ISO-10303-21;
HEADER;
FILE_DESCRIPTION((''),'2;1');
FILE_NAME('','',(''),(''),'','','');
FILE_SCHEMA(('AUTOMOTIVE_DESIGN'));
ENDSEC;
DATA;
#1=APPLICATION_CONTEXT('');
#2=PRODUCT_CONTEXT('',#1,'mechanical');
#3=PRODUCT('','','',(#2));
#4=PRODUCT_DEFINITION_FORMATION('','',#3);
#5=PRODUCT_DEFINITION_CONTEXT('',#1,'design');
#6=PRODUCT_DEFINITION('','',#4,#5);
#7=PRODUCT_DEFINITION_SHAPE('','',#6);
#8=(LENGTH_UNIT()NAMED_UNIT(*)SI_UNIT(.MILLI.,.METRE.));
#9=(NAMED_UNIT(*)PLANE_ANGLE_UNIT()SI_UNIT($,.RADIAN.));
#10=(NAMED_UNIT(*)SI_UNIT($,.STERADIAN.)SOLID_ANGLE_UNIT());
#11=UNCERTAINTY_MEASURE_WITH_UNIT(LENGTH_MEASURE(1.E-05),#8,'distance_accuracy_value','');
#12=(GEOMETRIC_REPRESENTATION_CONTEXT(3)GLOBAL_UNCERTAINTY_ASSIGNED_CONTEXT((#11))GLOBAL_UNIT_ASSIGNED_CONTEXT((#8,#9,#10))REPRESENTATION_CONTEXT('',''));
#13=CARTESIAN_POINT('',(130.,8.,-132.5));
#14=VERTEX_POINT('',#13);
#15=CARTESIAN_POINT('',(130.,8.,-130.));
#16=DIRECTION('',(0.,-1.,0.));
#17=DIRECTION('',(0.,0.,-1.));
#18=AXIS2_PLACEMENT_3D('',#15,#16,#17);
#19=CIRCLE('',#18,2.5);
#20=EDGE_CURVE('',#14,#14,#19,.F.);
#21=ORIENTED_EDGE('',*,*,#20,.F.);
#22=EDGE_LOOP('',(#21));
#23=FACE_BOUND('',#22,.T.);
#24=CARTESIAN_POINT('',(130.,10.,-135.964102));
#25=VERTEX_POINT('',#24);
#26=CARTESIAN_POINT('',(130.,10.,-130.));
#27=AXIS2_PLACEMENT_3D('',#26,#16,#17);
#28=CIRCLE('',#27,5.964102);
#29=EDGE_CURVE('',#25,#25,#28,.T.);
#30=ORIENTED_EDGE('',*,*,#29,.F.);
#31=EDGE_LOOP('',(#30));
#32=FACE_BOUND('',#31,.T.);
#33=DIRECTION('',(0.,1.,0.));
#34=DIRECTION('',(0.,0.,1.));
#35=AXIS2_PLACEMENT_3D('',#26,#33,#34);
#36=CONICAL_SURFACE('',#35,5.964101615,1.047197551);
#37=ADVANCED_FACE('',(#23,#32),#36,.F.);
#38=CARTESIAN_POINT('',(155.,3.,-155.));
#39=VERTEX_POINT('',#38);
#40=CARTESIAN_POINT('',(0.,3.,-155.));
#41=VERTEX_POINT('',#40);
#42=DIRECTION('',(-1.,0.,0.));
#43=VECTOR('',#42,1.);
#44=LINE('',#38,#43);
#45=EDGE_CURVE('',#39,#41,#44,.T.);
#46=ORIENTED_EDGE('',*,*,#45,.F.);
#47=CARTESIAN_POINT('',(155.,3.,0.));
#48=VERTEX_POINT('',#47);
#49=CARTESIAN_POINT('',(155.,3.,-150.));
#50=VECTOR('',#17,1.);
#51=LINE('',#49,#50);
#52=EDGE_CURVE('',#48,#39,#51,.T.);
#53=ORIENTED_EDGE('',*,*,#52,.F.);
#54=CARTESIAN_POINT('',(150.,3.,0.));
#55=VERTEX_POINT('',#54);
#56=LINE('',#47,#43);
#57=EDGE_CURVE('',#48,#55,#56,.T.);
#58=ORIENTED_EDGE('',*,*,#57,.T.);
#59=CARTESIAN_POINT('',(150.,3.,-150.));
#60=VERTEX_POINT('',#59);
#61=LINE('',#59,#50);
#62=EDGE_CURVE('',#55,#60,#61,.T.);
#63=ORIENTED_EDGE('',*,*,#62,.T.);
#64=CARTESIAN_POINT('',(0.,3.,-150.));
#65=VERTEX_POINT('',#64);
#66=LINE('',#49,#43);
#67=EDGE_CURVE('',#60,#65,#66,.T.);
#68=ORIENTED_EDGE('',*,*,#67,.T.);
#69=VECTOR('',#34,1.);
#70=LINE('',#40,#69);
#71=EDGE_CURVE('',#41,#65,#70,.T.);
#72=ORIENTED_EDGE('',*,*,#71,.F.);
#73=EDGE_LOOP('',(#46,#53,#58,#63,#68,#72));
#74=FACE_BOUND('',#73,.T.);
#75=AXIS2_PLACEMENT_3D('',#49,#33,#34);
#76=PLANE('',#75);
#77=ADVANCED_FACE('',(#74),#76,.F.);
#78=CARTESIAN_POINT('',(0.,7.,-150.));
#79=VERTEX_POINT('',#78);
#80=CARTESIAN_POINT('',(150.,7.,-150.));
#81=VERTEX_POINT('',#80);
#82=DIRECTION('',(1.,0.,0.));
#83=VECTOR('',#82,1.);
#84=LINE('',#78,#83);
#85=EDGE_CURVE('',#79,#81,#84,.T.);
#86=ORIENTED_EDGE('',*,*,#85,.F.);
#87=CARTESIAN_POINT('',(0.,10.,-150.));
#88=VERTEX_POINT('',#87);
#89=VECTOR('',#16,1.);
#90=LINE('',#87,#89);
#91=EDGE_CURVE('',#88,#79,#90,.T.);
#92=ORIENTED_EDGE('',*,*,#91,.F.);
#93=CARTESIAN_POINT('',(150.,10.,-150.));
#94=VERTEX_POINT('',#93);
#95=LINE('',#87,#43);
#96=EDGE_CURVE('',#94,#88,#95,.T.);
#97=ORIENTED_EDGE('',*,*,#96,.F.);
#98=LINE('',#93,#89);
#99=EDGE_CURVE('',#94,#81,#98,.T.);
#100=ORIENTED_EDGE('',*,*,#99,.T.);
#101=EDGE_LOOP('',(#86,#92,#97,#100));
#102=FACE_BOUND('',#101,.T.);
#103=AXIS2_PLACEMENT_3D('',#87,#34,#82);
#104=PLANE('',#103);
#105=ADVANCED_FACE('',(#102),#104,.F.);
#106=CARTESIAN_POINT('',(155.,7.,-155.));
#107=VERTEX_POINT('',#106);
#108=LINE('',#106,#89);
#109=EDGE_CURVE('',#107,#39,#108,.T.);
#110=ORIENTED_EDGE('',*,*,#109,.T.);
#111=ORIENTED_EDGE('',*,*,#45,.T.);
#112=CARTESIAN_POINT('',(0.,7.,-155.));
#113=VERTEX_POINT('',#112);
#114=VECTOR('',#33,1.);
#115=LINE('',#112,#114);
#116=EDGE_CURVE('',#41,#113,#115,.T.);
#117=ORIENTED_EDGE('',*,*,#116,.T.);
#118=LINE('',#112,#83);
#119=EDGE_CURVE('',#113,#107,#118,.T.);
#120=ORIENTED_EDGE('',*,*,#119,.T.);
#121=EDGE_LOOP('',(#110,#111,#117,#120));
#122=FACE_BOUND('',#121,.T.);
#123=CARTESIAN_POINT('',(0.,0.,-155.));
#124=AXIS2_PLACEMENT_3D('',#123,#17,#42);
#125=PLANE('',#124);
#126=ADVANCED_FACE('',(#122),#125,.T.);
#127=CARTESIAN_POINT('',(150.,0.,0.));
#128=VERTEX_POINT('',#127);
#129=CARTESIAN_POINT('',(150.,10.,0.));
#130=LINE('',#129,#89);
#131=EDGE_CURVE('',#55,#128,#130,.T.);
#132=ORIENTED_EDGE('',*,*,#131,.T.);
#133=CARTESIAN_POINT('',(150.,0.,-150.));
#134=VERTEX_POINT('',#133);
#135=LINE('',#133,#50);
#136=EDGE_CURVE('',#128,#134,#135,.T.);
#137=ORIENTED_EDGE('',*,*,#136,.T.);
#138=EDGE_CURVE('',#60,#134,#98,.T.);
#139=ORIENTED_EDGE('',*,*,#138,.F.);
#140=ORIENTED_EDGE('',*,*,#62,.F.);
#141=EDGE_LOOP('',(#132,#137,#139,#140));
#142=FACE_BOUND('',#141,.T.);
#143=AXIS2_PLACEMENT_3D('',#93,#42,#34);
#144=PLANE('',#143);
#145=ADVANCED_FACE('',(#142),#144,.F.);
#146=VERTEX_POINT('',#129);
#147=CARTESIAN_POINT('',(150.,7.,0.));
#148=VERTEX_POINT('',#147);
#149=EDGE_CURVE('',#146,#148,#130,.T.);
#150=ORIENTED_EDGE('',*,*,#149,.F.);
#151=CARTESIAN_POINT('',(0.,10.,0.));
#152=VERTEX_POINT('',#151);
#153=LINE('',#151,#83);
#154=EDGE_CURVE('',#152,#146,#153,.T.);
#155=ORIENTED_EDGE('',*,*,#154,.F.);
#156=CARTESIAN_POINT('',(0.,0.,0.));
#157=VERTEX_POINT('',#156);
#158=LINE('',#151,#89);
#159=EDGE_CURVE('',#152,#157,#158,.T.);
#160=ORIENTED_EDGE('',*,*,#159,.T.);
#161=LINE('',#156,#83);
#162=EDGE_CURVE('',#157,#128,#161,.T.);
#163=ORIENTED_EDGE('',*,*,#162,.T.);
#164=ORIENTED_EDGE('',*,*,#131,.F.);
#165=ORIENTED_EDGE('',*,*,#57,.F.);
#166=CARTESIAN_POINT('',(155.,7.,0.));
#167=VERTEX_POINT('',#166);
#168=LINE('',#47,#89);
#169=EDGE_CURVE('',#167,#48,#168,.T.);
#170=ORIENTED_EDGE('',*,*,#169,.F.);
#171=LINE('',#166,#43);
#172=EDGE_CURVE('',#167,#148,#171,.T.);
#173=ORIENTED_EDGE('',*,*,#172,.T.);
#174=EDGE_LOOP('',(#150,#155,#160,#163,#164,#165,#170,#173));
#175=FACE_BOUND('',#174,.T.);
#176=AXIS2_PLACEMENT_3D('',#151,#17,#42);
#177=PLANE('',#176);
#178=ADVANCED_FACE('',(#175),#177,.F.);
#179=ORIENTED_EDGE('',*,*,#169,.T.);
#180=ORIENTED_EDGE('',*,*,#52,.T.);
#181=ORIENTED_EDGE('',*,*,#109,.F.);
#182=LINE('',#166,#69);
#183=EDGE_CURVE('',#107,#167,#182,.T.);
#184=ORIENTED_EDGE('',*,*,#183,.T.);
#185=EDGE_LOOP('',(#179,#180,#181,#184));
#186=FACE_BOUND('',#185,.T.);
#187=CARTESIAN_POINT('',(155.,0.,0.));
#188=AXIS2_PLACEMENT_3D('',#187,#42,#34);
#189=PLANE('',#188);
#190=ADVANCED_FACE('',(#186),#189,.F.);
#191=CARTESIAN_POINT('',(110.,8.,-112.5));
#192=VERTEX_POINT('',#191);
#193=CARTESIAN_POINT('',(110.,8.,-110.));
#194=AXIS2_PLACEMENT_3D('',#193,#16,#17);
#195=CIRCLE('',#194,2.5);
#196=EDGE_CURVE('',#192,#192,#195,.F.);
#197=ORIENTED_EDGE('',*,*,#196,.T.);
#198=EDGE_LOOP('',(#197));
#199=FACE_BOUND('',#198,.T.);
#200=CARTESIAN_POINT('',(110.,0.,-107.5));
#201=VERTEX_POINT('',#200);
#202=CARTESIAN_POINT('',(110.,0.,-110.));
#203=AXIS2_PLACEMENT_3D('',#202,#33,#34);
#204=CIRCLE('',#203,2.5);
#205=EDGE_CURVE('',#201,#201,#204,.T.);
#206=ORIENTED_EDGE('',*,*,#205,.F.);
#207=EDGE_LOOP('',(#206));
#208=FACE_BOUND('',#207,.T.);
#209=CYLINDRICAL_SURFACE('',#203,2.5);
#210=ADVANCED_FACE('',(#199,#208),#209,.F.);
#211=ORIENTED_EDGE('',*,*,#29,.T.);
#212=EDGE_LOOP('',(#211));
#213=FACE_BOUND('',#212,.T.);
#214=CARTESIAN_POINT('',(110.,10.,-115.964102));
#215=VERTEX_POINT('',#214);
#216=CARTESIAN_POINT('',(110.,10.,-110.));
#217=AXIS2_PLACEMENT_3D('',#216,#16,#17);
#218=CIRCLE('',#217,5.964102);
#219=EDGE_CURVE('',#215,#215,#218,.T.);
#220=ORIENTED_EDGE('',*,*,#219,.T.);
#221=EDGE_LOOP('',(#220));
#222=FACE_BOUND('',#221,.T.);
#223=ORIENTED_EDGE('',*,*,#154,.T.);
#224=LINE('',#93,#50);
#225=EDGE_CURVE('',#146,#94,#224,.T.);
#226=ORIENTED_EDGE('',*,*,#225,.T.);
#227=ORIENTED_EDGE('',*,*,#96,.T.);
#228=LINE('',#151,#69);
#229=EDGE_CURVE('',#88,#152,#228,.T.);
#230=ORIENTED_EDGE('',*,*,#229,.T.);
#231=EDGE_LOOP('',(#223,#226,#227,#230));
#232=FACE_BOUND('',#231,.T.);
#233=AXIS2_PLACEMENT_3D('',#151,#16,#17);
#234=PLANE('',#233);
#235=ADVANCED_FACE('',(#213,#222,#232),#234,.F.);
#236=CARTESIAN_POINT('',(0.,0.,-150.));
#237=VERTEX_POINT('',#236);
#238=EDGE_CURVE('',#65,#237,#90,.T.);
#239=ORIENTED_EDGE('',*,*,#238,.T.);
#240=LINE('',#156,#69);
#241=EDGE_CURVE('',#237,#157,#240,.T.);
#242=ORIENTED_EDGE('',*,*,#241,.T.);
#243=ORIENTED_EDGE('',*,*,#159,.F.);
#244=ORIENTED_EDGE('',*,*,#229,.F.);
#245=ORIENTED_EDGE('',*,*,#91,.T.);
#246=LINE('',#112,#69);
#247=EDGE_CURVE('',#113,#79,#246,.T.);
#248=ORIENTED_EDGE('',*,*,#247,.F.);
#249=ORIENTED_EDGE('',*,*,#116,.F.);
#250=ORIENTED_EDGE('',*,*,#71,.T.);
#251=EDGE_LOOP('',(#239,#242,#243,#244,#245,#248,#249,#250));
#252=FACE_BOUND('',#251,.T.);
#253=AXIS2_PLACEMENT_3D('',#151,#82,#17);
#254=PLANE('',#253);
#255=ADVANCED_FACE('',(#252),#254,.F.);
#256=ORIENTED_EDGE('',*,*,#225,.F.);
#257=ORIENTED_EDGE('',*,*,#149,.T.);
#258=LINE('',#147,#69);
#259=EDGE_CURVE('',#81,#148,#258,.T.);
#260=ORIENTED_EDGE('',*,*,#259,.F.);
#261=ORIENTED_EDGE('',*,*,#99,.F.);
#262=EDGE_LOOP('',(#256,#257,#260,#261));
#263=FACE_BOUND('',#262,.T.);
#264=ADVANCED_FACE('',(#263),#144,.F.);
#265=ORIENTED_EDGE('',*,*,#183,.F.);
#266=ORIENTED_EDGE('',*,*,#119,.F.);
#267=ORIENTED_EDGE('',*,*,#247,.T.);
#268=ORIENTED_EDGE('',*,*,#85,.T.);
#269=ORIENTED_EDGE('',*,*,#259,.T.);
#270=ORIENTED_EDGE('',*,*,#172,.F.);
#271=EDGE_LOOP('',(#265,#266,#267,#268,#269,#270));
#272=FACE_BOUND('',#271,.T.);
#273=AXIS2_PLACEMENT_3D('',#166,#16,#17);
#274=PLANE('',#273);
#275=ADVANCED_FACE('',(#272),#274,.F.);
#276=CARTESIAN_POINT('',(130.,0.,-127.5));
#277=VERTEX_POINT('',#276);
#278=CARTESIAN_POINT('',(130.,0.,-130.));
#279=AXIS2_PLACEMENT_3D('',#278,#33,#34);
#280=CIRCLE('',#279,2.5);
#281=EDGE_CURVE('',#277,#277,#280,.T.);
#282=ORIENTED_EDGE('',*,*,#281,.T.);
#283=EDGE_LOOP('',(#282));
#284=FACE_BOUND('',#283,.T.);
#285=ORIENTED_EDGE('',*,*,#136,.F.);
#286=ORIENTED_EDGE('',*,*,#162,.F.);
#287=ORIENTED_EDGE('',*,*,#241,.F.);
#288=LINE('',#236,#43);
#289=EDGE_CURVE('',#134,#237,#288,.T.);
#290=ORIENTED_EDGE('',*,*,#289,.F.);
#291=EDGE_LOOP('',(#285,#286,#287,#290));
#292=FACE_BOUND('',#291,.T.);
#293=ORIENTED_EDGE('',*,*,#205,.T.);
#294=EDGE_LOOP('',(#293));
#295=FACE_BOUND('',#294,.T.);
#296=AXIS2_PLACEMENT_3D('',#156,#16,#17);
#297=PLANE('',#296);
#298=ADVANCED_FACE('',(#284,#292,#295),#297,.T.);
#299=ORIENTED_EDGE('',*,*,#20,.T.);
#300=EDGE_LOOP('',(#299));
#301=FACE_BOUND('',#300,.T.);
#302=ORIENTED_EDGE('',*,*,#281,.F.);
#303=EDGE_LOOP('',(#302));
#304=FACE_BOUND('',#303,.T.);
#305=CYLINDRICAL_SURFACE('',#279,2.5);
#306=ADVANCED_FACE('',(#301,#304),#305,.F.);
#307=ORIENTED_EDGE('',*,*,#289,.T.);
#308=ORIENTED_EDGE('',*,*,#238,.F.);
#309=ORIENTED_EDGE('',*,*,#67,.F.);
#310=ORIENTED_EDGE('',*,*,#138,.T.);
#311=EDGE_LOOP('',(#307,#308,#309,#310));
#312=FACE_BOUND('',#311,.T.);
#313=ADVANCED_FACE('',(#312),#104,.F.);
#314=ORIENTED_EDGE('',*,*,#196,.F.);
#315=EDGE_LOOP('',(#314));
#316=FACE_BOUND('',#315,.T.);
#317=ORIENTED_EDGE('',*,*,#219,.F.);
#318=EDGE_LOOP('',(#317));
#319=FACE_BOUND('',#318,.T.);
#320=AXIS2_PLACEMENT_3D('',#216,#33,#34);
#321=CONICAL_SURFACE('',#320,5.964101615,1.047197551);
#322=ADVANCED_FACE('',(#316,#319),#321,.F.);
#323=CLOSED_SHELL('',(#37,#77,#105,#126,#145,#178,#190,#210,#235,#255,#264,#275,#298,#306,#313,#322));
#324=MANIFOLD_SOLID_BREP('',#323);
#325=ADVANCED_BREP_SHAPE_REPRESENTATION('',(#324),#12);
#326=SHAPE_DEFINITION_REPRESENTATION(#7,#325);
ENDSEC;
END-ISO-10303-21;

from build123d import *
from OCP.BRepFilletAPI import BRepFilletAPI_MakeChamfer

# Parameters (mm, degrees)
SKETCH1_W               = 150
SKETCH1_H               = 150
BOSS_EXTRUDE1_DEPTH     = 10
SKETCH2_W               = 150
SKETCH2_H               = 4
BOSS_EXTRUDE2_DEPTH     = 5
SKETCH3_W               = 155
SKETCH3_H               = 4
BOSS_EXTRUDE3_DEPTH     = 5
CUT_EXTRUDE1_DEPTH      = 220.431082575
CUT_EXTRUDE1_DEPTH_BACK = 220.431082575
SKETCH4_R               = 2.5
CHAMFER1_SIZE           = 2
CHAMFER1_SIZE2          = 3.464101615


with BuildPart() as part:
    # Sketch1 → Boss-Extrude1 (new body)
    with BuildSketch(Plane(origin=(0, 0, 0), x_dir=(1, 0, 0), z_dir=(0, 1, 0))):
        with Locations((75, 75)):
            Rectangle(SKETCH1_W, SKETCH1_H)
    extrude(amount=BOSS_EXTRUDE1_DEPTH)

    # Sketch2 → Boss-Extrude2 (add)
    with BuildSketch(Plane(origin=(150, 0, 0), x_dir=(0, 0, -1), z_dir=(1, 0, 0))):
        with Locations((75, 5)):
            Rectangle(SKETCH2_W, SKETCH2_H)
    extrude(amount=BOSS_EXTRUDE2_DEPTH)

    # Sketch3 → Boss-Extrude3 (add)
    with BuildSketch(Plane(origin=(0, 0, -150), x_dir=(-1, 0, 0), z_dir=(0, 0, -1))):
        with Locations((-77.5, 5)):
            Rectangle(SKETCH3_W, SKETCH3_H)
    extrude(amount=BOSS_EXTRUDE3_DEPTH)

    # Sketch4 → Cut-Extrude1 (cut, two sides: drawn at the far end of the back side and taken through both)
    with BuildSketch(Plane(origin=(0, 10, 0), x_dir=(1, 0, 0), z_dir=(0, 1, 0)).offset(-CUT_EXTRUDE1_DEPTH_BACK)):
        with Locations(Location((130, 130, 0), (0, 0, 270))):
            Circle(SKETCH4_R)
        with Locations(Location((110, 110, 0), (0, 0, 270))):
            Circle(SKETCH4_R)
    extrude(amount=CUT_EXTRUDE1_DEPTH + CUT_EXTRUDE1_DEPTH_BACK, mode=Mode.SUBTRACT)

    # Chamfer1: one chamfer whose edges measure the first distance from different faces: ONE call of the kernel's chamfer builder (chamfer() names one face for all edges)
    chamfer1_edges_1 = [part.edges().sort_by_distance(p)[0] for p in [
        (130, 10, -132.5),
    ]]
    chamfer1_side_1 = [part.faces().sort_by_distance(p)[0] for p in [
        (130, 5, -132.5),
    ]]
    chamfer1_edges_2 = [part.edges().sort_by_distance(p)[0] for p in [
        (110, 10, -112.5),
    ]]
    chamfer1_side_2 = [part.faces().sort_by_distance(p)[0] for p in [
        (110, 5, -112.5),
    ]]
    chamfer1 = BRepFilletAPI_MakeChamfer(part.part.solid().wrapped)
    for e in chamfer1_edges_1:
        chamfer1.Add(CHAMFER1_SIZE, CHAMFER1_SIZE2, e.wrapped, chamfer1_side_1[0].wrapped)  # the first distance lies on this face
    for e in chamfer1_edges_2:
        chamfer1.Add(CHAMFER1_SIZE, CHAMFER1_SIZE2, e.wrapped, chamfer1_side_2[0].wrapped)  # the first distance lies on this face
    add(Compound.cast(chamfer1.Shape()), mode=Mode.REPLACE)


solid = part.part
